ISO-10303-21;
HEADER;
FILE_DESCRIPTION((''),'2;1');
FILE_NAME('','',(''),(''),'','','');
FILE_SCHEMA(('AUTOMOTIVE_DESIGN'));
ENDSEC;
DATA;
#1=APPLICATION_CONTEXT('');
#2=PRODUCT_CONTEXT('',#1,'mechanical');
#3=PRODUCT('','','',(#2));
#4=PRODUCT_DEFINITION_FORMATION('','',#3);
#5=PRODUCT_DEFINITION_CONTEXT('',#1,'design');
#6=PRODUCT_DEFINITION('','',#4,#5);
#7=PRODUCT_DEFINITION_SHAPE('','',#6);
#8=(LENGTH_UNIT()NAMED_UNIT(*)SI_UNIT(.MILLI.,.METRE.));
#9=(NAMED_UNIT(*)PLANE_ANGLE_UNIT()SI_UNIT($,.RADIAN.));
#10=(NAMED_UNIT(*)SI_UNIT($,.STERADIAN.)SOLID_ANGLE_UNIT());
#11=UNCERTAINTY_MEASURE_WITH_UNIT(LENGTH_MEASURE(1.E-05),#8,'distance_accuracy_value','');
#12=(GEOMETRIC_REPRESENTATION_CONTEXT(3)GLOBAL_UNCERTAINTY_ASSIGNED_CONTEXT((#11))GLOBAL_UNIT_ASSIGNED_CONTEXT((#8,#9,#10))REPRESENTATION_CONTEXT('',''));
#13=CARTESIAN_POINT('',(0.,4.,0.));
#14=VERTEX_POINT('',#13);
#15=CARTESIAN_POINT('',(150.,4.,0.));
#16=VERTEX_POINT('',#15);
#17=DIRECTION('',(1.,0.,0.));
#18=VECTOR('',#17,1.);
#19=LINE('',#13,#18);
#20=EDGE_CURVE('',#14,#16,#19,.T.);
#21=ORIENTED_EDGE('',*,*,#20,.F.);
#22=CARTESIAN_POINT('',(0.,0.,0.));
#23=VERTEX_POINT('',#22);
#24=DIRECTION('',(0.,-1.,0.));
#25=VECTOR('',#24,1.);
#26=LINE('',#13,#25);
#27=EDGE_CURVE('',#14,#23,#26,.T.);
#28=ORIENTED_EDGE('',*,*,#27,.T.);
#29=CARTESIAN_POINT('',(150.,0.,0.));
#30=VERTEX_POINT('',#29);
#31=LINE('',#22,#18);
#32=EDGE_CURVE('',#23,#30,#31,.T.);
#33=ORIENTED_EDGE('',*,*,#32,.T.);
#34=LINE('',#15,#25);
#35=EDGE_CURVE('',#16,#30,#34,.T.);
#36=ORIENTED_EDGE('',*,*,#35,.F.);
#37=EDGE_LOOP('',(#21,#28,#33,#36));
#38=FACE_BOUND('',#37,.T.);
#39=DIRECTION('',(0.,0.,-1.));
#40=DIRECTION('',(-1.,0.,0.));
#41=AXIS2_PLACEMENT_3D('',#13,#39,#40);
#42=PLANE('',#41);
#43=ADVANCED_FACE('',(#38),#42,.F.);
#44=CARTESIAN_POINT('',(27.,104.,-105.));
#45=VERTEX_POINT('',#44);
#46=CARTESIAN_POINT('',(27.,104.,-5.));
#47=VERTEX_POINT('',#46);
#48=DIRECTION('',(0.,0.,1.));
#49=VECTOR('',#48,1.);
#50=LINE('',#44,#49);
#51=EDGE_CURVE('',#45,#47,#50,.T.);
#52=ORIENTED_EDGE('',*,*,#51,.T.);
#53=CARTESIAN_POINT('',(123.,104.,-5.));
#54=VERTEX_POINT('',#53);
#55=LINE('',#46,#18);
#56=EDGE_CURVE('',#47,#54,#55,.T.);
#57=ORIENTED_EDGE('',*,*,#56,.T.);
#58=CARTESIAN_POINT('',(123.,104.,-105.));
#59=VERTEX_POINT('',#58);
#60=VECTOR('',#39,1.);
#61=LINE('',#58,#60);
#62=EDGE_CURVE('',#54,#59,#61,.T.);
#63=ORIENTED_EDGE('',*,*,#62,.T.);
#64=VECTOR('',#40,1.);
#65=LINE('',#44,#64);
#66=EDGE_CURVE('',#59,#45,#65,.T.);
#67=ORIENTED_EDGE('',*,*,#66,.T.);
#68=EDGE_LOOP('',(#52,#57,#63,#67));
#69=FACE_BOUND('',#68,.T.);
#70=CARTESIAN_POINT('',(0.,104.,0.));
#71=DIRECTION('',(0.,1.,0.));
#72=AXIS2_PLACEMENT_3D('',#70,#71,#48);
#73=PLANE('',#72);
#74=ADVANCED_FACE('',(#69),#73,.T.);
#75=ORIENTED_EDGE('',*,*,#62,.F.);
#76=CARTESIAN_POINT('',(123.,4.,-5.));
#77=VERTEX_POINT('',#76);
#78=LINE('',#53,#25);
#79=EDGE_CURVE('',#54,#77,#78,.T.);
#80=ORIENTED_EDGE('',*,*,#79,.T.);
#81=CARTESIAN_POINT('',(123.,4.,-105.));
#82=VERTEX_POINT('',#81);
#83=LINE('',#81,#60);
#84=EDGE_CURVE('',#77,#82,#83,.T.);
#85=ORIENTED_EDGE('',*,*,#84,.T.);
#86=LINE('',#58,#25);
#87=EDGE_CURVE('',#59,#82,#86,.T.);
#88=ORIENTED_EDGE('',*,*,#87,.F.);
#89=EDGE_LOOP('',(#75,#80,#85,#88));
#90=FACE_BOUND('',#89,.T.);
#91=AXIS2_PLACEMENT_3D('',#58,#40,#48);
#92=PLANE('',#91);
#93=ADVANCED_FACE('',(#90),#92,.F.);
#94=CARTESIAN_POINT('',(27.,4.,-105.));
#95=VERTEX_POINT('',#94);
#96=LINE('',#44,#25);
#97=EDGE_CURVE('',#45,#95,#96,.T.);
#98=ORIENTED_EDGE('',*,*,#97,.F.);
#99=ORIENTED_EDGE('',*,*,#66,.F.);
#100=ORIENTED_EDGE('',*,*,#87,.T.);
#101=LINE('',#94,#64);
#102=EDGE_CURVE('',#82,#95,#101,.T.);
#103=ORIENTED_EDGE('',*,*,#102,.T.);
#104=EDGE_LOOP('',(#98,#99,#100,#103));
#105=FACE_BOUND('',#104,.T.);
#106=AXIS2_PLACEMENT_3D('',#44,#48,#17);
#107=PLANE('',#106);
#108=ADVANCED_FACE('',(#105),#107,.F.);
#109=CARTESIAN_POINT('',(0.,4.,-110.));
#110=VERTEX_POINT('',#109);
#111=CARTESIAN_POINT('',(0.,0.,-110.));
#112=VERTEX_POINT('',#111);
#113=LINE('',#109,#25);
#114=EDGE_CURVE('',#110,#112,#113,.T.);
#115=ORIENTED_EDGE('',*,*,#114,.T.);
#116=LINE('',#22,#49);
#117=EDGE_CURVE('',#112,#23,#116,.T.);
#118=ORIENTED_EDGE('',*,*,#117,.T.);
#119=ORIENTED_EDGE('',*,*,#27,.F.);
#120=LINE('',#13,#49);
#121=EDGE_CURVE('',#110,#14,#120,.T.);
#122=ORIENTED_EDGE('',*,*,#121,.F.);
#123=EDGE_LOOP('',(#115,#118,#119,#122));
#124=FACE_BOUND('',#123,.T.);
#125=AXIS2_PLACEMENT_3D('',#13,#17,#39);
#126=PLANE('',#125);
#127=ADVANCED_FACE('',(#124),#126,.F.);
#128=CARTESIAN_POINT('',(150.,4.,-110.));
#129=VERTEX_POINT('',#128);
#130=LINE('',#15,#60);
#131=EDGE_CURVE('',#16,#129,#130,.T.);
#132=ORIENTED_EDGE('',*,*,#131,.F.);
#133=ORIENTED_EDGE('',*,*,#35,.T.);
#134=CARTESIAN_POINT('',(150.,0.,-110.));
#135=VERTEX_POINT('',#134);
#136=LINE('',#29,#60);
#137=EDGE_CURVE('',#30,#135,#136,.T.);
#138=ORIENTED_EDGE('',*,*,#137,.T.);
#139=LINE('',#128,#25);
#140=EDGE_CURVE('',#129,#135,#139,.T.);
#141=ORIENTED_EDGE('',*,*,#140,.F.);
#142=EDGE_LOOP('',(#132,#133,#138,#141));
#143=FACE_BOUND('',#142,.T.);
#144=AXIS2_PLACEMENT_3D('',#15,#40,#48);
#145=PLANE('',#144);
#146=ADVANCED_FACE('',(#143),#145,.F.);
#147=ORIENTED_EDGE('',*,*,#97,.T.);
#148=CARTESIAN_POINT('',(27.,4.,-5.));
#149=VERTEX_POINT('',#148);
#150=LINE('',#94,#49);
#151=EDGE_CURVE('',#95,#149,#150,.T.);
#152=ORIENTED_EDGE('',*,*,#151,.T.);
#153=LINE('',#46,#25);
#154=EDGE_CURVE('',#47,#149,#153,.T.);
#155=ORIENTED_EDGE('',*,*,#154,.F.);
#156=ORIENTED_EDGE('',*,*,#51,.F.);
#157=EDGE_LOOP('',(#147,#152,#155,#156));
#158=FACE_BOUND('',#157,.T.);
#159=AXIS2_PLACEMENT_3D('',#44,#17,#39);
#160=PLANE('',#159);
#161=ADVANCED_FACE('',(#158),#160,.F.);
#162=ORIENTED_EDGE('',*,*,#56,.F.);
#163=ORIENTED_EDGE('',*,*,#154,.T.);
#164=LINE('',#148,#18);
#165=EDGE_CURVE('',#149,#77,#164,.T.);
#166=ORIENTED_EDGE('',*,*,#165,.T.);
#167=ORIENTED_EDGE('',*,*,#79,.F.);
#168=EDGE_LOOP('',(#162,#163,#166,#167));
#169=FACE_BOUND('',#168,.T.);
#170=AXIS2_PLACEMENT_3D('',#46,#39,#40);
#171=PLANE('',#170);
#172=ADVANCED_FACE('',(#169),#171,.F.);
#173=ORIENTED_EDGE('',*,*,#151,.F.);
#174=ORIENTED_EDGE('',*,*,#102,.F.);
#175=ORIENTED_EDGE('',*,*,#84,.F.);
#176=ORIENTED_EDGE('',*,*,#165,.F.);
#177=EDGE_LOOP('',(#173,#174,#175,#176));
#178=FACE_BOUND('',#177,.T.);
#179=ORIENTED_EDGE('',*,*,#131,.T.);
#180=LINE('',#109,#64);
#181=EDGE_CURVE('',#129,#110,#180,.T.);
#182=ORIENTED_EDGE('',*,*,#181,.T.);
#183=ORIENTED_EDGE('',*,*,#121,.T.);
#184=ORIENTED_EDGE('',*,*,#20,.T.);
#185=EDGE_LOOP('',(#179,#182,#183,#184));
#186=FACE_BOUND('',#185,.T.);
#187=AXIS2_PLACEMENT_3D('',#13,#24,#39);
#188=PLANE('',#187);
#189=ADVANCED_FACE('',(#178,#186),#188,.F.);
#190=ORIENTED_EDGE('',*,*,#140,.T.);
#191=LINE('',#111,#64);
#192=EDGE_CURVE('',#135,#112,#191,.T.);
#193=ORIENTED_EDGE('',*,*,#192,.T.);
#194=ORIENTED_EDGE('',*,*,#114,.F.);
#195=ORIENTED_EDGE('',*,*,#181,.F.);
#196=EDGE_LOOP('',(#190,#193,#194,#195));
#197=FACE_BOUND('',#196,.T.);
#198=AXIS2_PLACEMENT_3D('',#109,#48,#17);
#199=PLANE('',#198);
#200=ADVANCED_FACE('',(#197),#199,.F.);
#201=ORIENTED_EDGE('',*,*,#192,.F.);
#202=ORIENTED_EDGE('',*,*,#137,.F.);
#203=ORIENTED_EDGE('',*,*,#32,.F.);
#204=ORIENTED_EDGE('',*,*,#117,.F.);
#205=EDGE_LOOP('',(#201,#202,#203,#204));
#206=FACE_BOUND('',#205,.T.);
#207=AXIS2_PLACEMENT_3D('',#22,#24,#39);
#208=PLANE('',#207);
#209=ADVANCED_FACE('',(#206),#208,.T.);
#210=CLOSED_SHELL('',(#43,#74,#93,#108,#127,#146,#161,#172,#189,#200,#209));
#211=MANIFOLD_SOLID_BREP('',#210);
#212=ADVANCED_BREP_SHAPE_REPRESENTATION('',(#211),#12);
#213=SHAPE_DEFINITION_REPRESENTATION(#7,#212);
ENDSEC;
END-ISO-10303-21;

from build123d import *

# Parameters (mm, degrees)
SKETCH1_W           = 150
SKETCH1_H           = 110
BOSS_EXTRUDE1_DEPTH = 4
SKETCH2_W           = 96
SKETCH2_H           = 100
BOSS_EXTRUDE2_DEPTH = 100


with BuildPart() as part:
    # Sketch1 → Boss-Extrude1 (new body)
    with BuildSketch(Plane(origin=(0, 0, 0), x_dir=(1, 0, 0), z_dir=(0, 1, 0))):
        with Locations((75, 55)):
            Rectangle(SKETCH1_W, SKETCH1_H)
    extrude(amount=BOSS_EXTRUDE1_DEPTH)

    # Sketch2 → Boss-Extrude2 (add)
    with BuildSketch(Plane(origin=(0, 4, 0), x_dir=(1, 0, 0), z_dir=(0, 1, 0))):
        with Locations((75, 55)):
            Rectangle(SKETCH2_W, SKETCH2_H)
    extrude(amount=BOSS_EXTRUDE2_DEPTH)


solid = part.part
